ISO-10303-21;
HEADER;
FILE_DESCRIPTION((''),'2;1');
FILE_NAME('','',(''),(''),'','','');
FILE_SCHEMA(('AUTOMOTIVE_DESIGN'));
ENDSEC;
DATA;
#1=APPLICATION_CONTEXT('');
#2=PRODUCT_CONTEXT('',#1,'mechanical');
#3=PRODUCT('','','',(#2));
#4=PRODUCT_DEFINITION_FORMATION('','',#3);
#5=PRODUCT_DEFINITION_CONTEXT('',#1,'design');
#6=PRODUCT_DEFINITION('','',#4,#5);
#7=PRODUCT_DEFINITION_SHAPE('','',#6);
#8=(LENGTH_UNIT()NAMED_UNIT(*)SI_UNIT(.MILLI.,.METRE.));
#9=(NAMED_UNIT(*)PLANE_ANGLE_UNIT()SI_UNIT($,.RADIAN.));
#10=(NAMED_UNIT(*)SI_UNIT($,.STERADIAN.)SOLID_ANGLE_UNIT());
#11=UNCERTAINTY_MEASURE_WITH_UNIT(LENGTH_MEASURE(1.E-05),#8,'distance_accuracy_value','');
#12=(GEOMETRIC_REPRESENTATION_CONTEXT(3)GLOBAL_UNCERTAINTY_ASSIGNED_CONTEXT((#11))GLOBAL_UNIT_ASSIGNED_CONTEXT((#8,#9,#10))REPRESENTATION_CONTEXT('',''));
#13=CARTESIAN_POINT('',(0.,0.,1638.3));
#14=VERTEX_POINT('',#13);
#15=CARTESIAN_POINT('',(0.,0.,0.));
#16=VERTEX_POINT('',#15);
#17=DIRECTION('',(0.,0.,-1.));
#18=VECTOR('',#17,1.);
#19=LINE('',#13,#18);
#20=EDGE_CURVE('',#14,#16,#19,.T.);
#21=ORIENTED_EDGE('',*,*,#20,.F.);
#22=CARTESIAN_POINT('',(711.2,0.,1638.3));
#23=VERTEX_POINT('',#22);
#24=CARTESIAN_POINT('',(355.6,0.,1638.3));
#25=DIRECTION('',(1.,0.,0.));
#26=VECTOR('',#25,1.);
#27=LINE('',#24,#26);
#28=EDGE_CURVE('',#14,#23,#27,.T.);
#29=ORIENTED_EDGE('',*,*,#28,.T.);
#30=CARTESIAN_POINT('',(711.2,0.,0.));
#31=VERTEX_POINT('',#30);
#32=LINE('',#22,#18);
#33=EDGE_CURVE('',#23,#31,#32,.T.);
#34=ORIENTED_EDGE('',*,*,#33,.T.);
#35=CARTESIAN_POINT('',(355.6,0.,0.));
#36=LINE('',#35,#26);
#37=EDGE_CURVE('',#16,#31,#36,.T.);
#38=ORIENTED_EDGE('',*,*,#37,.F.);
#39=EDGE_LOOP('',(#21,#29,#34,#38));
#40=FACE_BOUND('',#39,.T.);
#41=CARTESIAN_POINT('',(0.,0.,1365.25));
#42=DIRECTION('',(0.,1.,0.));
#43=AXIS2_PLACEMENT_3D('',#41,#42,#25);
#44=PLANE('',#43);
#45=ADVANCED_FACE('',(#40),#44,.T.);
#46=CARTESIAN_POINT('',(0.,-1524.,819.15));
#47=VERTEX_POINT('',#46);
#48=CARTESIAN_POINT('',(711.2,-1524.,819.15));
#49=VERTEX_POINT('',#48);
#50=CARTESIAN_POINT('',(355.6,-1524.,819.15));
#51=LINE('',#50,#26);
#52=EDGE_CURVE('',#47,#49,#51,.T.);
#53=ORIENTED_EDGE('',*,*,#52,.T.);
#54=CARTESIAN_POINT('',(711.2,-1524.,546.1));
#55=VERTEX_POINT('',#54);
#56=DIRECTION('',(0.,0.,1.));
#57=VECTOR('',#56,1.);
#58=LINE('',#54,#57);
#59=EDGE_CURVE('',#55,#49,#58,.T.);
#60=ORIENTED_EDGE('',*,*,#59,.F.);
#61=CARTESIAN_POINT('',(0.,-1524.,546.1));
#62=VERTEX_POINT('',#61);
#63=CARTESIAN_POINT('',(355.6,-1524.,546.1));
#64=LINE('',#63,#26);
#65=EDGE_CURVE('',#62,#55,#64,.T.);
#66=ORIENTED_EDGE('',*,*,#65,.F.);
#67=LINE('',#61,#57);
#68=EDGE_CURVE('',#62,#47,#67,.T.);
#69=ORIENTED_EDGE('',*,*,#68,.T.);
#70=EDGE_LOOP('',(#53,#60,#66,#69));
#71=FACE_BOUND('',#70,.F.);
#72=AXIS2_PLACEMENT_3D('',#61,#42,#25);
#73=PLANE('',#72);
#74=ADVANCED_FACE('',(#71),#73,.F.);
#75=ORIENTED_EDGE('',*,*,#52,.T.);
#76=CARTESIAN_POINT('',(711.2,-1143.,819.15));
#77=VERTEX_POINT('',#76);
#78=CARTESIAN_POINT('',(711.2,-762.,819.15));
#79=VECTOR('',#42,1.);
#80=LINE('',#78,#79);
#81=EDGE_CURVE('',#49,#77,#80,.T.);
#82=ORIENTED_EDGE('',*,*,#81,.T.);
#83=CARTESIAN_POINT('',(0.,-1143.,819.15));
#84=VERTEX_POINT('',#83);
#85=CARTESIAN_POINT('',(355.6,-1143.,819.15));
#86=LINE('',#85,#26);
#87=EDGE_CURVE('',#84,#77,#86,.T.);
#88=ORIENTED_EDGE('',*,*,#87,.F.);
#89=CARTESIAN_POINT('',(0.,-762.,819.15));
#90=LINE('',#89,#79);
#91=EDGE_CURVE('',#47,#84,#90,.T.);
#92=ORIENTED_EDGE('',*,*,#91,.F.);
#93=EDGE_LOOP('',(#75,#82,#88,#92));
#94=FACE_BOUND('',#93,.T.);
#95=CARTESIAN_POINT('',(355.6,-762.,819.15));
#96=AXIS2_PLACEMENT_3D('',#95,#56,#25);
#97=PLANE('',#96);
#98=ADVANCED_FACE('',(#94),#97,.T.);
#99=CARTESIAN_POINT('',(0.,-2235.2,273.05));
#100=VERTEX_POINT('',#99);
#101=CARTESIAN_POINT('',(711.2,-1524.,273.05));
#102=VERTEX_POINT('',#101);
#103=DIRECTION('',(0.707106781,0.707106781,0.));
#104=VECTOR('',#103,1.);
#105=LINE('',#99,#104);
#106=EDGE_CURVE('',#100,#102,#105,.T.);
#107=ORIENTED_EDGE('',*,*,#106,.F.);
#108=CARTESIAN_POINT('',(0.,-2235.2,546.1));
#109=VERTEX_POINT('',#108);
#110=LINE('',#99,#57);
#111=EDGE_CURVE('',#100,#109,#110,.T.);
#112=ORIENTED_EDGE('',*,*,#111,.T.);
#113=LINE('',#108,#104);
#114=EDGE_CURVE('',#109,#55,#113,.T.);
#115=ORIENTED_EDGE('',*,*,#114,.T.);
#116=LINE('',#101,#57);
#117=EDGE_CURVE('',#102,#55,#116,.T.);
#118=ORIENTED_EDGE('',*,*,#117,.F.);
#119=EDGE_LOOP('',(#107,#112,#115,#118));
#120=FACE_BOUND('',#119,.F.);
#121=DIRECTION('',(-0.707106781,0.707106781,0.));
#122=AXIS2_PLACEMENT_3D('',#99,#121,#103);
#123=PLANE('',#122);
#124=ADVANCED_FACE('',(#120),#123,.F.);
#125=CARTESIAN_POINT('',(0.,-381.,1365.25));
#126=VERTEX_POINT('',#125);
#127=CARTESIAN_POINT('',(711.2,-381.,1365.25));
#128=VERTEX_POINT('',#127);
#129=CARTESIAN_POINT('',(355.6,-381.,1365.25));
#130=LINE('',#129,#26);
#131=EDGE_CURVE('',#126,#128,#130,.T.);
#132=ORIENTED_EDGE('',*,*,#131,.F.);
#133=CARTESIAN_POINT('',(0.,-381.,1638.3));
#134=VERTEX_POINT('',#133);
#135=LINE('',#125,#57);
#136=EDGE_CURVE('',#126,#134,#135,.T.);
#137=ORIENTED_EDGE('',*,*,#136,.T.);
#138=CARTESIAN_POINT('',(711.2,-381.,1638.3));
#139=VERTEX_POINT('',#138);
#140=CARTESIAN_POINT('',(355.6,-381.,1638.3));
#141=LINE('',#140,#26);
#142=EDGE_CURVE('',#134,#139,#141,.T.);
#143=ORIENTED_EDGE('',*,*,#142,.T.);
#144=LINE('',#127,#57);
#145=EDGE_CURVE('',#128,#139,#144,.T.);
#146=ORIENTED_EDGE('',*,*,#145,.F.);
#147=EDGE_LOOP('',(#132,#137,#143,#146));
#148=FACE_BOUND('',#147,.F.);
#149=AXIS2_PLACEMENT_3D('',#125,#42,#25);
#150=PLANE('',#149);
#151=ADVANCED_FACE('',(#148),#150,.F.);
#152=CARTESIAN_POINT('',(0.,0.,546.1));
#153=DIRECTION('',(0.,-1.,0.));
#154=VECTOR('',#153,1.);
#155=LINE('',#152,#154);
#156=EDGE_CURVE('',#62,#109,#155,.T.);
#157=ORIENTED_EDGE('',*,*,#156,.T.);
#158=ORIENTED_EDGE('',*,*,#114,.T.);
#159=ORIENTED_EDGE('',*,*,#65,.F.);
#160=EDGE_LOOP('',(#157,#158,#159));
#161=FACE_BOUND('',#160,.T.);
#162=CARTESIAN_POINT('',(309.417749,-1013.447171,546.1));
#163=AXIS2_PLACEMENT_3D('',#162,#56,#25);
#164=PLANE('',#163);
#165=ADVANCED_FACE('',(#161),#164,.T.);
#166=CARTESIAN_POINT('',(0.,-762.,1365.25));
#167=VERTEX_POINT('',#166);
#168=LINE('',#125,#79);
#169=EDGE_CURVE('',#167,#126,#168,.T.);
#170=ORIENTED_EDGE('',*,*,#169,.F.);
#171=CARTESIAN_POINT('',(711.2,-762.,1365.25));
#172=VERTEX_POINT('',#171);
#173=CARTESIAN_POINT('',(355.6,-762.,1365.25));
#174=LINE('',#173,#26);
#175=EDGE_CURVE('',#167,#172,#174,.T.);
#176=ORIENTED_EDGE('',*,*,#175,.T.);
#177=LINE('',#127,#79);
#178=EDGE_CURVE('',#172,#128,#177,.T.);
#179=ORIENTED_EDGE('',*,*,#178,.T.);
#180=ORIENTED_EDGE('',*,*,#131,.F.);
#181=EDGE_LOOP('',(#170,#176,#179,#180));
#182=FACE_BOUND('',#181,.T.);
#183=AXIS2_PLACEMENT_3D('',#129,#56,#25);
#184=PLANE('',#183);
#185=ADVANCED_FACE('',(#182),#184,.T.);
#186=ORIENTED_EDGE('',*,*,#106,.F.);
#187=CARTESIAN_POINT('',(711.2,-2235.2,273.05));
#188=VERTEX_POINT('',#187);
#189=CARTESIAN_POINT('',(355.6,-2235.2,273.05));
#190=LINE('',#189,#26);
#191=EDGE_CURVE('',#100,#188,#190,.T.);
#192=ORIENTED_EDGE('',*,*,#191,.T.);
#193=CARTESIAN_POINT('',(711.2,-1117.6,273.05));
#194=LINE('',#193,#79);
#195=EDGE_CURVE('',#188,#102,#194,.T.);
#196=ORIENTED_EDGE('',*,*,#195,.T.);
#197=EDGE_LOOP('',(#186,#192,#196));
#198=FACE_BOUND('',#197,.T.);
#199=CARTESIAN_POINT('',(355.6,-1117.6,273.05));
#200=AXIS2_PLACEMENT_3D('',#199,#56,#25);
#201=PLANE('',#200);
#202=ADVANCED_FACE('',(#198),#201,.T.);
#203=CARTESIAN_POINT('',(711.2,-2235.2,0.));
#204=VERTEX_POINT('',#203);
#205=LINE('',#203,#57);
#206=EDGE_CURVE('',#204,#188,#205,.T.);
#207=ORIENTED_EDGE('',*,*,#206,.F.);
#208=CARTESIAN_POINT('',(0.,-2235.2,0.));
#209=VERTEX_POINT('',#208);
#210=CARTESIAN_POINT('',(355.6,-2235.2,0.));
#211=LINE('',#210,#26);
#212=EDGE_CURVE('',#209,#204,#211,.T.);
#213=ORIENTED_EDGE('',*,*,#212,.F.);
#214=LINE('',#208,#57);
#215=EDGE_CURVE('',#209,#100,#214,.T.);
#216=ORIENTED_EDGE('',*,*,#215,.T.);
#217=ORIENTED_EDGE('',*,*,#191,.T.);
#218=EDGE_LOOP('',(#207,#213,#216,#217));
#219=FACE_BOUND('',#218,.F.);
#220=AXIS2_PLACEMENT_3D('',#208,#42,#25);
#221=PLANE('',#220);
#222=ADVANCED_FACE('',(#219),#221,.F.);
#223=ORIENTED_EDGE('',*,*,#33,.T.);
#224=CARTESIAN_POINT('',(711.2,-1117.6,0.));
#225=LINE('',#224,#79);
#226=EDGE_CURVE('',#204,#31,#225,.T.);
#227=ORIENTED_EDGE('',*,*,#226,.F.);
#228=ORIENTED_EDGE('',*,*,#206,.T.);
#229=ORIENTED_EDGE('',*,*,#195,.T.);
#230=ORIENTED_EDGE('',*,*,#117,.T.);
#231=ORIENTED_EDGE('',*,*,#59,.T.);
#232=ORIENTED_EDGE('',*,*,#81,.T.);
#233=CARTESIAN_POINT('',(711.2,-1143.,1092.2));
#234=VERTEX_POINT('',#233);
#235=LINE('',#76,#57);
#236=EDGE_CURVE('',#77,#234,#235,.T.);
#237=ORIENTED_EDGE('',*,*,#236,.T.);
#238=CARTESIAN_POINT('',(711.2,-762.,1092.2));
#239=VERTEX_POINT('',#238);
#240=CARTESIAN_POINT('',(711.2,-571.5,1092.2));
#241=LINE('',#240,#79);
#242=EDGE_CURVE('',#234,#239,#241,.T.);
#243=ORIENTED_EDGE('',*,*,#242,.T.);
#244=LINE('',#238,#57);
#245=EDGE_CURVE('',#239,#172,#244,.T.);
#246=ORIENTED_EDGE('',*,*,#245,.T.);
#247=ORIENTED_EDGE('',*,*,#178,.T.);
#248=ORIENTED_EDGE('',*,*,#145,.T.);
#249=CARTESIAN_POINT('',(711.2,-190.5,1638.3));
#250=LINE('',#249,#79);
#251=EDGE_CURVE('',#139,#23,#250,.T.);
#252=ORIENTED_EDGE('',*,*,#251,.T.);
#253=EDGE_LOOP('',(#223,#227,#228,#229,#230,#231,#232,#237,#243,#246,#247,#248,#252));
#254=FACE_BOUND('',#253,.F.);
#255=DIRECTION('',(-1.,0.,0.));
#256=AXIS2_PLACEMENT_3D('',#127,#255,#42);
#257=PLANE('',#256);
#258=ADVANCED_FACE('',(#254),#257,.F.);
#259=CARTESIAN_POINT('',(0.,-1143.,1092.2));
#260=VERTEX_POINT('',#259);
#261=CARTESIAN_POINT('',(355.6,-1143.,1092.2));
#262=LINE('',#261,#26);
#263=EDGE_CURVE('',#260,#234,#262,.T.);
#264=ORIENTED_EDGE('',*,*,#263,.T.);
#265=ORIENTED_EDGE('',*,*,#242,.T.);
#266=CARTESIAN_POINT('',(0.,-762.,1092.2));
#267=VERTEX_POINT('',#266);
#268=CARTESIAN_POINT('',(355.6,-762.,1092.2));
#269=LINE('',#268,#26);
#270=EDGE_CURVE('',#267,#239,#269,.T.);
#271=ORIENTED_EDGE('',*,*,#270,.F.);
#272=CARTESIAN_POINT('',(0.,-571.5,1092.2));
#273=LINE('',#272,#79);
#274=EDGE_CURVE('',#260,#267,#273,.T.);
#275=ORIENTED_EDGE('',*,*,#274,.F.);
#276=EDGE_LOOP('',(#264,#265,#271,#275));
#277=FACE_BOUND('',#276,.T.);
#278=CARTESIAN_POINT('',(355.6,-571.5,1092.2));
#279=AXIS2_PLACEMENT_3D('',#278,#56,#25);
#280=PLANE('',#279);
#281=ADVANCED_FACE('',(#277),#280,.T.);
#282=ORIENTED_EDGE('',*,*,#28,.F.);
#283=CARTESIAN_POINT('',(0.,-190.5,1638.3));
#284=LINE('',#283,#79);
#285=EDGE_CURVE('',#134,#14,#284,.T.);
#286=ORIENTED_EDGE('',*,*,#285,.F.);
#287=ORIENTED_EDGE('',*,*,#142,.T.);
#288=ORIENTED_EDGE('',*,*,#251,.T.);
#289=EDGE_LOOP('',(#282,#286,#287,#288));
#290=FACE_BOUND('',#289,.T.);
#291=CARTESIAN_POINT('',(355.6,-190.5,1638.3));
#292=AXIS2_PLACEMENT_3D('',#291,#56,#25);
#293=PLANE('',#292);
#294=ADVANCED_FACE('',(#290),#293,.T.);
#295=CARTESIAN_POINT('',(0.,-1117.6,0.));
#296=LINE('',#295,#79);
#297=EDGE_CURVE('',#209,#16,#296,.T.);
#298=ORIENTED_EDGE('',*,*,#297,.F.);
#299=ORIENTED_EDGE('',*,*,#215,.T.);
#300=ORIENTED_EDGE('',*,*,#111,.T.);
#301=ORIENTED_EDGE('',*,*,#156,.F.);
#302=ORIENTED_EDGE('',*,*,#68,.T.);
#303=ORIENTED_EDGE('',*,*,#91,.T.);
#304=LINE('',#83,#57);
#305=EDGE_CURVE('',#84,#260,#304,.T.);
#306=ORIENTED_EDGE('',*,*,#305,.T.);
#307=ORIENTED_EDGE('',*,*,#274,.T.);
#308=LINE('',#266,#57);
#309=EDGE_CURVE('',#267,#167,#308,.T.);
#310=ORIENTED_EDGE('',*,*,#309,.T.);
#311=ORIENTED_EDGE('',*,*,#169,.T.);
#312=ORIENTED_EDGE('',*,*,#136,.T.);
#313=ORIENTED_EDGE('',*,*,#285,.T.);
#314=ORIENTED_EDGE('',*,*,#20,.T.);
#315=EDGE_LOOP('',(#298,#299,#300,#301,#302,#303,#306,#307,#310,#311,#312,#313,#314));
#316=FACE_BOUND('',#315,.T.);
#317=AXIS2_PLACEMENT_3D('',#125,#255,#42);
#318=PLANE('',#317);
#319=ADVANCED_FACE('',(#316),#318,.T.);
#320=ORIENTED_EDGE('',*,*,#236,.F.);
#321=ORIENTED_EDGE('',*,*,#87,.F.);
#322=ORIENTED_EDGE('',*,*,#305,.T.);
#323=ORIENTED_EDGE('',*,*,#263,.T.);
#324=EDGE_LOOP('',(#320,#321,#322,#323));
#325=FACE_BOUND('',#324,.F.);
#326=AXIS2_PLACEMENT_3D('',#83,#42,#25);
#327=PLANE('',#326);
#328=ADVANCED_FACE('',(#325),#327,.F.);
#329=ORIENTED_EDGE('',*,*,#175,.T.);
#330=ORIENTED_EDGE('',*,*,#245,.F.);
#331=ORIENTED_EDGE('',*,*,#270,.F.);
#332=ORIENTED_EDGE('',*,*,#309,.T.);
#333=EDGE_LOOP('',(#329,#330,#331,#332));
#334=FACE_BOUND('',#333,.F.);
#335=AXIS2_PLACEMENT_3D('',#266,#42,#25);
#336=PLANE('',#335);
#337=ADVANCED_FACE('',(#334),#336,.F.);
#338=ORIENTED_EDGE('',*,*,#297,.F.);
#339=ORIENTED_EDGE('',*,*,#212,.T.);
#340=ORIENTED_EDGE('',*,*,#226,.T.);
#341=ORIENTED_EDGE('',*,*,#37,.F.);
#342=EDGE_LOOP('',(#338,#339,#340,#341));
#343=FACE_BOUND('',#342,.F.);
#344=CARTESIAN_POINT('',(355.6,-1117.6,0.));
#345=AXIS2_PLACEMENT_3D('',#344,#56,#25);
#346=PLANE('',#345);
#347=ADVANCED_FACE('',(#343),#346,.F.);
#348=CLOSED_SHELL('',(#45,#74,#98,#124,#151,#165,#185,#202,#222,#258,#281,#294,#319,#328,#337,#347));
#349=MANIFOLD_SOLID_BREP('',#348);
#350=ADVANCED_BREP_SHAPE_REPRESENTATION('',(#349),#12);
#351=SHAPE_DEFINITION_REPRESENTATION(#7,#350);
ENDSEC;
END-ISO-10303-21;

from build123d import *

# Parameters (mm, degrees)
F0_W      = 711.2
F0_H      = 2235.2
F1_DEPTH  = 273.05
F3_DEPTH  = 273.05
F4_W      = 711.2
F4_H      = 1524
F5_DEPTH  = 273.05
F6_W      = 711.2
F6_H      = 1143
F7_DEPTH  = 273.05
F8_W      = 711.2
F8_H      = 762
F9_DEPTH  = 273.05
F10_W     = 711.2
F10_H     = 381
F11_DEPTH = 273.05


with BuildPart() as f1:
    # F0 (on Top) → F1 (new body)
    with BuildSketch(Plane.XY):
        with Locations((355.6, -1117.6)):
            Rectangle(F0_W, F0_H)
    extrude(amount=F1_DEPTH)

    # F2 (on face) → F3 (join)
    with BuildSketch(Plane.XY.offset(273.05)):
        Polygon((0, 0), (0, -2235.2), (711.2, -1524), (711.2, 0), align=None)
    extrude(amount=F3_DEPTH)

    # F4 (on face) → F5 (join)
    with BuildSketch(Plane.XY.offset(546.1)):
        with Locations((355.6, -762)):
            Rectangle(F4_W, F4_H)
    extrude(amount=F5_DEPTH)

    # F6 (on face) → F7 (join)
    with BuildSketch(Plane.XY.offset(819.15)):
        with Locations((355.6, -571.5)):
            Rectangle(F6_W, F6_H)
    extrude(amount=F7_DEPTH)

    # F8 (on face) → F9 (join)
    with BuildSketch(Plane.XY.offset(1092.2)):
        with Locations((355.6, -381)):
            Rectangle(F8_W, F8_H)
    extrude(amount=F9_DEPTH)

    # F10 (on face) → F11 (join)
    with BuildSketch(Plane.XY.offset(1365.25)):
        with Locations((355.6, -190.5)):
            Rectangle(F10_W, F10_H)
    extrude(amount=F11_DEPTH)


solid = f1.part
